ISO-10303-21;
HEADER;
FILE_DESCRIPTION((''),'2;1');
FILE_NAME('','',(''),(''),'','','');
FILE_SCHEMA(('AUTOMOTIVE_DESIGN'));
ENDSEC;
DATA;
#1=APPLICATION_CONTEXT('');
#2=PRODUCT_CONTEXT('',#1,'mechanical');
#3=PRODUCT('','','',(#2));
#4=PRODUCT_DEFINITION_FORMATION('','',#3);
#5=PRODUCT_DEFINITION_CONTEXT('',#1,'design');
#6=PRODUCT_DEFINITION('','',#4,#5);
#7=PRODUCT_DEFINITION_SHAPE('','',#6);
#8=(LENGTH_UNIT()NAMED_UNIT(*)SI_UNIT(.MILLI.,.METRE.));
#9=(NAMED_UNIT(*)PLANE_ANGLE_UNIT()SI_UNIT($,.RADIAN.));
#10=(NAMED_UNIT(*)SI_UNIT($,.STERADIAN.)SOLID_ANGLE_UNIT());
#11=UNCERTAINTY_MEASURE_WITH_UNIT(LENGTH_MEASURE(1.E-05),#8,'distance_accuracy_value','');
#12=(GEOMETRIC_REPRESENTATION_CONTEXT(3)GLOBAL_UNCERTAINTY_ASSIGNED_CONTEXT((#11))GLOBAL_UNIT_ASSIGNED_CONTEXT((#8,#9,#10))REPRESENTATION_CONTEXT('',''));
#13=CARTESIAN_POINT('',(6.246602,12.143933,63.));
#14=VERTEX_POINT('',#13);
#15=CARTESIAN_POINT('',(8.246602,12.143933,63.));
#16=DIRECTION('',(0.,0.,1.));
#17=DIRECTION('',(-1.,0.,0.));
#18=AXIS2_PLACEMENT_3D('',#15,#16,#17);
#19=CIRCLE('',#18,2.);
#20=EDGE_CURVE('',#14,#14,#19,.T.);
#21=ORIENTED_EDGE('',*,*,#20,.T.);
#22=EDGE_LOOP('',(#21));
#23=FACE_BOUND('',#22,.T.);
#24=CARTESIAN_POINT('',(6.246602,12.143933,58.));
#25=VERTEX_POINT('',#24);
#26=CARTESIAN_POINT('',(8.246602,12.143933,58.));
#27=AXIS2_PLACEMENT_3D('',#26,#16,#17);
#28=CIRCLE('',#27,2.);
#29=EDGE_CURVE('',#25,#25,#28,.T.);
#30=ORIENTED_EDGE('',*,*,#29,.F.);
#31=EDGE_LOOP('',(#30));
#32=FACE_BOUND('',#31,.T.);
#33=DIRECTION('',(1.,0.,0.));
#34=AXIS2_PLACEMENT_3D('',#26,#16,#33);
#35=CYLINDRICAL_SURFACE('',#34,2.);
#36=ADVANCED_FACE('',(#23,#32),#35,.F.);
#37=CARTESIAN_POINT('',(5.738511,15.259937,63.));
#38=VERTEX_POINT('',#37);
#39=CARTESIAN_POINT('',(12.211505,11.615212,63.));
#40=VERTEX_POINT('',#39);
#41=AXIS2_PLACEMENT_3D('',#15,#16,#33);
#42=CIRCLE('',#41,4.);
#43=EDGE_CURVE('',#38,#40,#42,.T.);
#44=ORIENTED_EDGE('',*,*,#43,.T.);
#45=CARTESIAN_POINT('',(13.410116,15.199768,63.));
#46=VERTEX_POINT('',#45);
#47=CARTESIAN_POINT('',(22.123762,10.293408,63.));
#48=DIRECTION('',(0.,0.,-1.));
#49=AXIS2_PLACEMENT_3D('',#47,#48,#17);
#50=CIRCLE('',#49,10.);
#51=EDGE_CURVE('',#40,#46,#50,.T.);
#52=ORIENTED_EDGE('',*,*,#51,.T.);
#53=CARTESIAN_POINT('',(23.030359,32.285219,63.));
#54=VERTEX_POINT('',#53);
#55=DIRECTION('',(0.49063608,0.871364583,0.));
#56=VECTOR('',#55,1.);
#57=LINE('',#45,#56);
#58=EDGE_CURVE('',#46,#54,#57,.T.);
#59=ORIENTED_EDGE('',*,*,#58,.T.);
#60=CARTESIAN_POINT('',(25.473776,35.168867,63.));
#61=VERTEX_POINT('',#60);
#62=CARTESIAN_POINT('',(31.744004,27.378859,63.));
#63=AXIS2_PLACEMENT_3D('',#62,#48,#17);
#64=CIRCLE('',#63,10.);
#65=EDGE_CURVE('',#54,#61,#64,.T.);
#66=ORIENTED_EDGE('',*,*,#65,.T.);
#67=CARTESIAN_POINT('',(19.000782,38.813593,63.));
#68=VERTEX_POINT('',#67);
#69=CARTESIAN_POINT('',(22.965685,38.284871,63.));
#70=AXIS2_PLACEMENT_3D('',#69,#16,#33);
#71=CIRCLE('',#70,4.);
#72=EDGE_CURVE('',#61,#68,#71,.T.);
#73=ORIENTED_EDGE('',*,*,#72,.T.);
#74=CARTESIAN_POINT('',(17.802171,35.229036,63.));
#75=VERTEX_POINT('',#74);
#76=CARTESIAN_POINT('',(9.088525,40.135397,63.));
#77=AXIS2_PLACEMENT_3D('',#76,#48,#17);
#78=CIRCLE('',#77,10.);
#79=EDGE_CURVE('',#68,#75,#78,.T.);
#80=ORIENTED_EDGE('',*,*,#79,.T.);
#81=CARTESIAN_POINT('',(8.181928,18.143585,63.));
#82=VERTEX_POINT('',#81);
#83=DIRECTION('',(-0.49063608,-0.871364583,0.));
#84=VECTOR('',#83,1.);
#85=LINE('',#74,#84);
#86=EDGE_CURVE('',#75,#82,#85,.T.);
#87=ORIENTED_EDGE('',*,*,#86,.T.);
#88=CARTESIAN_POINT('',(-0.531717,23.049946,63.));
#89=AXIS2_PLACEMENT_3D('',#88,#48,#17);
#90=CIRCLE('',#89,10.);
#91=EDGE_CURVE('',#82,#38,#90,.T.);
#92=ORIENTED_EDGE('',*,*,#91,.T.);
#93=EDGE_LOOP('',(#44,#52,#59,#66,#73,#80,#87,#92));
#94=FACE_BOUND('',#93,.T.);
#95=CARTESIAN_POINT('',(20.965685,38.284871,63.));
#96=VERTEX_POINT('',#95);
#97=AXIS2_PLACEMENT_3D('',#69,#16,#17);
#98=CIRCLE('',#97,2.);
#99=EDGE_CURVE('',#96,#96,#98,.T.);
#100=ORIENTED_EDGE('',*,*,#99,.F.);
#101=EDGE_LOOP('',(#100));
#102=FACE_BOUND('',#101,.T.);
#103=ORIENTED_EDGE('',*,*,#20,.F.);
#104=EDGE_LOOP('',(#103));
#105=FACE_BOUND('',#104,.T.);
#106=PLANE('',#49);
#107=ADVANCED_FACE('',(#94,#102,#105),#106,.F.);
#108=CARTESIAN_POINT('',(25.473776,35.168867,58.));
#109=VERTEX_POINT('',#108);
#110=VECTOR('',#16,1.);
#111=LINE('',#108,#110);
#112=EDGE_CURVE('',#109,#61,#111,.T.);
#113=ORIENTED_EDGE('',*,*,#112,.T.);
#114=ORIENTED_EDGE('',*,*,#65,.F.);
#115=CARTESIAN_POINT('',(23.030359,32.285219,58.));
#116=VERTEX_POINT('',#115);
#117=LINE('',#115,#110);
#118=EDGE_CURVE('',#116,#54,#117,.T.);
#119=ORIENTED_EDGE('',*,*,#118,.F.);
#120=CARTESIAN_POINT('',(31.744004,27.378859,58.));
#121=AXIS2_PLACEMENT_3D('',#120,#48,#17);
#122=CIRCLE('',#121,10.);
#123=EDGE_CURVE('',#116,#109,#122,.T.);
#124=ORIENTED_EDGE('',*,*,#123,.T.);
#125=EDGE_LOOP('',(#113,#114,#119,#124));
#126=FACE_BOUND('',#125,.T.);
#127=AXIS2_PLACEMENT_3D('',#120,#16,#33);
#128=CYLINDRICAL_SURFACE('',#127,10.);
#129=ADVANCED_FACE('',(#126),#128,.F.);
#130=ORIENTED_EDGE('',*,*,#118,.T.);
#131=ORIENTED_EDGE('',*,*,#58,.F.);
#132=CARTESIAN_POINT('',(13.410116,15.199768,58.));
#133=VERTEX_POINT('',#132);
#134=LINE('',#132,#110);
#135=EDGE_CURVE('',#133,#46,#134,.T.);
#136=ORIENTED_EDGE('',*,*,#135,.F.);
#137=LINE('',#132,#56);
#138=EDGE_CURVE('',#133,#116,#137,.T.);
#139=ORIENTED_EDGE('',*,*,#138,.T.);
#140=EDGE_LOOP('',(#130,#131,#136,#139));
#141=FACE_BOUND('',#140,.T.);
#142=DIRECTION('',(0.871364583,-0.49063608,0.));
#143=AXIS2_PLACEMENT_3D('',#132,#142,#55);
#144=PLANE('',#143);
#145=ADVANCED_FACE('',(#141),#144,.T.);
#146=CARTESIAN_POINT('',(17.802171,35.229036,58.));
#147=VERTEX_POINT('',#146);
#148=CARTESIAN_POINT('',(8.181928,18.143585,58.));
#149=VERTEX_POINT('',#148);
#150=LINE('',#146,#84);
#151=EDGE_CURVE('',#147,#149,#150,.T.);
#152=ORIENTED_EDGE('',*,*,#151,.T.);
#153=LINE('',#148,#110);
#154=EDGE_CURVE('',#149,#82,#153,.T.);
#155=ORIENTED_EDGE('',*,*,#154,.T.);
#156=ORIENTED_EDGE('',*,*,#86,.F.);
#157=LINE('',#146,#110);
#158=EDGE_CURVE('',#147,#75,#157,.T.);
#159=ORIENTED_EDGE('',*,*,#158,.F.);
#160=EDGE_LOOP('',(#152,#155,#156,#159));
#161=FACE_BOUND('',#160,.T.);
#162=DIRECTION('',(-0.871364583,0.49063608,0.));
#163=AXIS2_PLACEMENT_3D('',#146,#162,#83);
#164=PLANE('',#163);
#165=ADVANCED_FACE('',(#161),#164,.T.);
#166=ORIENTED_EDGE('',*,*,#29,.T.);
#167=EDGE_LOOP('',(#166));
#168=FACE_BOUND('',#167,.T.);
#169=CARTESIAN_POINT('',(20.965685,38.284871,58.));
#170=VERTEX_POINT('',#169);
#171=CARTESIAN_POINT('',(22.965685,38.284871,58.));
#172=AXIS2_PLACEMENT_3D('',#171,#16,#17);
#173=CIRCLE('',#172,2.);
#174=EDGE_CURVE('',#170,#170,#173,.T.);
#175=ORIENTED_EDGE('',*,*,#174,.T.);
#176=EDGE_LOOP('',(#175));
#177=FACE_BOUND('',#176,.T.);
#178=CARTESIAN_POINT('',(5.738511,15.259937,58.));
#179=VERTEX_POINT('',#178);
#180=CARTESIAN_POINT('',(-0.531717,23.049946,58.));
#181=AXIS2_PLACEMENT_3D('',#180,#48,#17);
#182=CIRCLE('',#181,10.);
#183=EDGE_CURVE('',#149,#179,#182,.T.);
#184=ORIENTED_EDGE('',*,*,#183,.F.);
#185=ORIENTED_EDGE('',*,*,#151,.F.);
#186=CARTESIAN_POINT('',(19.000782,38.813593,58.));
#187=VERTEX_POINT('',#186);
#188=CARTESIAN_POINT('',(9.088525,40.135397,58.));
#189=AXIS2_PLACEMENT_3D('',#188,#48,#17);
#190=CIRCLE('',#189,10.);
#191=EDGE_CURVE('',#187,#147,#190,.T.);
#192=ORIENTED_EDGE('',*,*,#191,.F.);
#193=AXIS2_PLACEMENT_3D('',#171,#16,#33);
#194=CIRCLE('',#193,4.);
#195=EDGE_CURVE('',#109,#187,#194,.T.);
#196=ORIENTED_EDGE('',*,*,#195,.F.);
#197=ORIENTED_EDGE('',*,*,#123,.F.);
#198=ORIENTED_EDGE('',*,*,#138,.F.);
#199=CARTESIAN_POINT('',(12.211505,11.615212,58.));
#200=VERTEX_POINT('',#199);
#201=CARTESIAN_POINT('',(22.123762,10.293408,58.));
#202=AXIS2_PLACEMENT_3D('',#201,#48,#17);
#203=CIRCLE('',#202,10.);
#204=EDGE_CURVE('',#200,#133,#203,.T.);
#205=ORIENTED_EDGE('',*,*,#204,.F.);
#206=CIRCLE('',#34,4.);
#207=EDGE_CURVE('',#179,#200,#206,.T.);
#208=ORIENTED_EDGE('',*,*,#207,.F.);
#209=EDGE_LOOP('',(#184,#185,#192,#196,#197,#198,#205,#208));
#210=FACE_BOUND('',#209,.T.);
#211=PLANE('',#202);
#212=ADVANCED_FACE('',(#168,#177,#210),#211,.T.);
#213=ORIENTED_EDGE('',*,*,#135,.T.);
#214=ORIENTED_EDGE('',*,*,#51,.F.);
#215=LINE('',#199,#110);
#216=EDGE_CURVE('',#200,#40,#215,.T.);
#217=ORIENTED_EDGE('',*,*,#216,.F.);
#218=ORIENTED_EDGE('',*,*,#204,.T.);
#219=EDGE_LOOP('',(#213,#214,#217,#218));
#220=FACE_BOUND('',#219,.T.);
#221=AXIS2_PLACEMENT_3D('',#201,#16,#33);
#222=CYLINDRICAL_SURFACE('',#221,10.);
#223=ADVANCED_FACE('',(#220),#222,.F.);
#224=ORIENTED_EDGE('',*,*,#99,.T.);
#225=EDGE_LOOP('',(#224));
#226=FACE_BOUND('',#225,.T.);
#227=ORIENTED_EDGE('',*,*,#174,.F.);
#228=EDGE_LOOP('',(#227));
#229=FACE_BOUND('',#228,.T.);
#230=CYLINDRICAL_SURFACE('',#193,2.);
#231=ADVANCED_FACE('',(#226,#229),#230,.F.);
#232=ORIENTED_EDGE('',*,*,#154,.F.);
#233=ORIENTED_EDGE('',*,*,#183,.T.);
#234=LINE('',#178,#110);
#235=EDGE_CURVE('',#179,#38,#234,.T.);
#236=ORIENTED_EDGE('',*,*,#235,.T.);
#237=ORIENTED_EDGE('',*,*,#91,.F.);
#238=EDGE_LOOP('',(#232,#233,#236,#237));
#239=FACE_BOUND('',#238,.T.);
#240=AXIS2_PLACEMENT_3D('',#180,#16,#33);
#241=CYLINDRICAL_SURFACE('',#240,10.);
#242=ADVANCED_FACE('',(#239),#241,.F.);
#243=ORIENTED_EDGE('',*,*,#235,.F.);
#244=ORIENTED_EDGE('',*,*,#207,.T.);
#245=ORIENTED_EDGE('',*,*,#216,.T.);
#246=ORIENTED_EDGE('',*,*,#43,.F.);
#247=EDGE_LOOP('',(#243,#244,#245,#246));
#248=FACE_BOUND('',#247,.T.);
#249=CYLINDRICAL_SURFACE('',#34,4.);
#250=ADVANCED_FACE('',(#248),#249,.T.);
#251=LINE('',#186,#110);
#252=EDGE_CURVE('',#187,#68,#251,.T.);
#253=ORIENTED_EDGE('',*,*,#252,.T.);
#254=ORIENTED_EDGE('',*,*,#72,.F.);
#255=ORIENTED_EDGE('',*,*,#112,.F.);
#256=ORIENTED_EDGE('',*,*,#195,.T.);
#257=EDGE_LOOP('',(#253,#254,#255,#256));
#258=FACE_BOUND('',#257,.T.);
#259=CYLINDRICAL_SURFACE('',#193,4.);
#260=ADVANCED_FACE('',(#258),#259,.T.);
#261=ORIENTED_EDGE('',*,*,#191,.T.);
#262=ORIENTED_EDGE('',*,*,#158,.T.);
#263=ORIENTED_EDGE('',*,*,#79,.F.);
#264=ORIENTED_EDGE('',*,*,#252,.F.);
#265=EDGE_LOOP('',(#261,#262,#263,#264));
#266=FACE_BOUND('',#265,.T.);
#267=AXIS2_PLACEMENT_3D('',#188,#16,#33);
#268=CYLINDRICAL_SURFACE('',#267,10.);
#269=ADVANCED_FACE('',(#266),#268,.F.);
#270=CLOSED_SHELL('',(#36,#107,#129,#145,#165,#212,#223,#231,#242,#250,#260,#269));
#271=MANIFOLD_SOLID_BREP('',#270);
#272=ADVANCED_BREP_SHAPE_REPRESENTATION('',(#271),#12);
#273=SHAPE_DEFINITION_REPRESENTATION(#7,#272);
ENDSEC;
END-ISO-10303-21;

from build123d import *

# Parameters (mm, degrees)
SKETCH1_R           = 2
BOSS_EXTRUDE1_DEPTH = 5


with BuildPart() as part:
    # Sketch1 → Boss-Extrude1 (new body)
    with BuildSketch(Plane.XY.offset(63)):
        with BuildLine():
            Line((13.410115914, 15.199768317), (23.030358602, 32.285219435))
            ThreePointArc((23.030358602, 32.285219435), (24.114589128, 33.843533573), (25.473776059, 35.168867371))
            ThreePointArc((25.473776059, 35.168867371), (24.928229029, 41.770329198), (19.000782012, 38.813592536))
            ThreePointArc((19.000782012, 38.813592536), (18.572370652, 36.964170331), (17.802171103, 35.229035915))
            Line((17.802171103, 35.229035915), (8.181928414, 18.143584797))
            ThreePointArc((8.181928414, 18.143584797), (7.097697889, 16.585270658), (5.738510958, 15.259936861))
            ThreePointArc((5.738510958, 15.259936861), (6.284057988, 8.658475034), (12.211505005, 11.615211695))
            ThreePointArc((12.211505005, 11.615211695), (12.639916365, 13.464633901), (13.410115914, 15.199768317))
        make_face()
        with Locations(Location((8.246602308, 12.143933367, 0), (0, 0, 180))):
            Circle(SKETCH1_R, mode=Mode.SUBTRACT)
        with Locations(Location((22.965684708, 38.284870865, 0), (0, 0, 180))):
            Circle(SKETCH1_R, mode=Mode.SUBTRACT)
    extrude(amount=-BOSS_EXTRUDE1_DEPTH)


solid = part.part
